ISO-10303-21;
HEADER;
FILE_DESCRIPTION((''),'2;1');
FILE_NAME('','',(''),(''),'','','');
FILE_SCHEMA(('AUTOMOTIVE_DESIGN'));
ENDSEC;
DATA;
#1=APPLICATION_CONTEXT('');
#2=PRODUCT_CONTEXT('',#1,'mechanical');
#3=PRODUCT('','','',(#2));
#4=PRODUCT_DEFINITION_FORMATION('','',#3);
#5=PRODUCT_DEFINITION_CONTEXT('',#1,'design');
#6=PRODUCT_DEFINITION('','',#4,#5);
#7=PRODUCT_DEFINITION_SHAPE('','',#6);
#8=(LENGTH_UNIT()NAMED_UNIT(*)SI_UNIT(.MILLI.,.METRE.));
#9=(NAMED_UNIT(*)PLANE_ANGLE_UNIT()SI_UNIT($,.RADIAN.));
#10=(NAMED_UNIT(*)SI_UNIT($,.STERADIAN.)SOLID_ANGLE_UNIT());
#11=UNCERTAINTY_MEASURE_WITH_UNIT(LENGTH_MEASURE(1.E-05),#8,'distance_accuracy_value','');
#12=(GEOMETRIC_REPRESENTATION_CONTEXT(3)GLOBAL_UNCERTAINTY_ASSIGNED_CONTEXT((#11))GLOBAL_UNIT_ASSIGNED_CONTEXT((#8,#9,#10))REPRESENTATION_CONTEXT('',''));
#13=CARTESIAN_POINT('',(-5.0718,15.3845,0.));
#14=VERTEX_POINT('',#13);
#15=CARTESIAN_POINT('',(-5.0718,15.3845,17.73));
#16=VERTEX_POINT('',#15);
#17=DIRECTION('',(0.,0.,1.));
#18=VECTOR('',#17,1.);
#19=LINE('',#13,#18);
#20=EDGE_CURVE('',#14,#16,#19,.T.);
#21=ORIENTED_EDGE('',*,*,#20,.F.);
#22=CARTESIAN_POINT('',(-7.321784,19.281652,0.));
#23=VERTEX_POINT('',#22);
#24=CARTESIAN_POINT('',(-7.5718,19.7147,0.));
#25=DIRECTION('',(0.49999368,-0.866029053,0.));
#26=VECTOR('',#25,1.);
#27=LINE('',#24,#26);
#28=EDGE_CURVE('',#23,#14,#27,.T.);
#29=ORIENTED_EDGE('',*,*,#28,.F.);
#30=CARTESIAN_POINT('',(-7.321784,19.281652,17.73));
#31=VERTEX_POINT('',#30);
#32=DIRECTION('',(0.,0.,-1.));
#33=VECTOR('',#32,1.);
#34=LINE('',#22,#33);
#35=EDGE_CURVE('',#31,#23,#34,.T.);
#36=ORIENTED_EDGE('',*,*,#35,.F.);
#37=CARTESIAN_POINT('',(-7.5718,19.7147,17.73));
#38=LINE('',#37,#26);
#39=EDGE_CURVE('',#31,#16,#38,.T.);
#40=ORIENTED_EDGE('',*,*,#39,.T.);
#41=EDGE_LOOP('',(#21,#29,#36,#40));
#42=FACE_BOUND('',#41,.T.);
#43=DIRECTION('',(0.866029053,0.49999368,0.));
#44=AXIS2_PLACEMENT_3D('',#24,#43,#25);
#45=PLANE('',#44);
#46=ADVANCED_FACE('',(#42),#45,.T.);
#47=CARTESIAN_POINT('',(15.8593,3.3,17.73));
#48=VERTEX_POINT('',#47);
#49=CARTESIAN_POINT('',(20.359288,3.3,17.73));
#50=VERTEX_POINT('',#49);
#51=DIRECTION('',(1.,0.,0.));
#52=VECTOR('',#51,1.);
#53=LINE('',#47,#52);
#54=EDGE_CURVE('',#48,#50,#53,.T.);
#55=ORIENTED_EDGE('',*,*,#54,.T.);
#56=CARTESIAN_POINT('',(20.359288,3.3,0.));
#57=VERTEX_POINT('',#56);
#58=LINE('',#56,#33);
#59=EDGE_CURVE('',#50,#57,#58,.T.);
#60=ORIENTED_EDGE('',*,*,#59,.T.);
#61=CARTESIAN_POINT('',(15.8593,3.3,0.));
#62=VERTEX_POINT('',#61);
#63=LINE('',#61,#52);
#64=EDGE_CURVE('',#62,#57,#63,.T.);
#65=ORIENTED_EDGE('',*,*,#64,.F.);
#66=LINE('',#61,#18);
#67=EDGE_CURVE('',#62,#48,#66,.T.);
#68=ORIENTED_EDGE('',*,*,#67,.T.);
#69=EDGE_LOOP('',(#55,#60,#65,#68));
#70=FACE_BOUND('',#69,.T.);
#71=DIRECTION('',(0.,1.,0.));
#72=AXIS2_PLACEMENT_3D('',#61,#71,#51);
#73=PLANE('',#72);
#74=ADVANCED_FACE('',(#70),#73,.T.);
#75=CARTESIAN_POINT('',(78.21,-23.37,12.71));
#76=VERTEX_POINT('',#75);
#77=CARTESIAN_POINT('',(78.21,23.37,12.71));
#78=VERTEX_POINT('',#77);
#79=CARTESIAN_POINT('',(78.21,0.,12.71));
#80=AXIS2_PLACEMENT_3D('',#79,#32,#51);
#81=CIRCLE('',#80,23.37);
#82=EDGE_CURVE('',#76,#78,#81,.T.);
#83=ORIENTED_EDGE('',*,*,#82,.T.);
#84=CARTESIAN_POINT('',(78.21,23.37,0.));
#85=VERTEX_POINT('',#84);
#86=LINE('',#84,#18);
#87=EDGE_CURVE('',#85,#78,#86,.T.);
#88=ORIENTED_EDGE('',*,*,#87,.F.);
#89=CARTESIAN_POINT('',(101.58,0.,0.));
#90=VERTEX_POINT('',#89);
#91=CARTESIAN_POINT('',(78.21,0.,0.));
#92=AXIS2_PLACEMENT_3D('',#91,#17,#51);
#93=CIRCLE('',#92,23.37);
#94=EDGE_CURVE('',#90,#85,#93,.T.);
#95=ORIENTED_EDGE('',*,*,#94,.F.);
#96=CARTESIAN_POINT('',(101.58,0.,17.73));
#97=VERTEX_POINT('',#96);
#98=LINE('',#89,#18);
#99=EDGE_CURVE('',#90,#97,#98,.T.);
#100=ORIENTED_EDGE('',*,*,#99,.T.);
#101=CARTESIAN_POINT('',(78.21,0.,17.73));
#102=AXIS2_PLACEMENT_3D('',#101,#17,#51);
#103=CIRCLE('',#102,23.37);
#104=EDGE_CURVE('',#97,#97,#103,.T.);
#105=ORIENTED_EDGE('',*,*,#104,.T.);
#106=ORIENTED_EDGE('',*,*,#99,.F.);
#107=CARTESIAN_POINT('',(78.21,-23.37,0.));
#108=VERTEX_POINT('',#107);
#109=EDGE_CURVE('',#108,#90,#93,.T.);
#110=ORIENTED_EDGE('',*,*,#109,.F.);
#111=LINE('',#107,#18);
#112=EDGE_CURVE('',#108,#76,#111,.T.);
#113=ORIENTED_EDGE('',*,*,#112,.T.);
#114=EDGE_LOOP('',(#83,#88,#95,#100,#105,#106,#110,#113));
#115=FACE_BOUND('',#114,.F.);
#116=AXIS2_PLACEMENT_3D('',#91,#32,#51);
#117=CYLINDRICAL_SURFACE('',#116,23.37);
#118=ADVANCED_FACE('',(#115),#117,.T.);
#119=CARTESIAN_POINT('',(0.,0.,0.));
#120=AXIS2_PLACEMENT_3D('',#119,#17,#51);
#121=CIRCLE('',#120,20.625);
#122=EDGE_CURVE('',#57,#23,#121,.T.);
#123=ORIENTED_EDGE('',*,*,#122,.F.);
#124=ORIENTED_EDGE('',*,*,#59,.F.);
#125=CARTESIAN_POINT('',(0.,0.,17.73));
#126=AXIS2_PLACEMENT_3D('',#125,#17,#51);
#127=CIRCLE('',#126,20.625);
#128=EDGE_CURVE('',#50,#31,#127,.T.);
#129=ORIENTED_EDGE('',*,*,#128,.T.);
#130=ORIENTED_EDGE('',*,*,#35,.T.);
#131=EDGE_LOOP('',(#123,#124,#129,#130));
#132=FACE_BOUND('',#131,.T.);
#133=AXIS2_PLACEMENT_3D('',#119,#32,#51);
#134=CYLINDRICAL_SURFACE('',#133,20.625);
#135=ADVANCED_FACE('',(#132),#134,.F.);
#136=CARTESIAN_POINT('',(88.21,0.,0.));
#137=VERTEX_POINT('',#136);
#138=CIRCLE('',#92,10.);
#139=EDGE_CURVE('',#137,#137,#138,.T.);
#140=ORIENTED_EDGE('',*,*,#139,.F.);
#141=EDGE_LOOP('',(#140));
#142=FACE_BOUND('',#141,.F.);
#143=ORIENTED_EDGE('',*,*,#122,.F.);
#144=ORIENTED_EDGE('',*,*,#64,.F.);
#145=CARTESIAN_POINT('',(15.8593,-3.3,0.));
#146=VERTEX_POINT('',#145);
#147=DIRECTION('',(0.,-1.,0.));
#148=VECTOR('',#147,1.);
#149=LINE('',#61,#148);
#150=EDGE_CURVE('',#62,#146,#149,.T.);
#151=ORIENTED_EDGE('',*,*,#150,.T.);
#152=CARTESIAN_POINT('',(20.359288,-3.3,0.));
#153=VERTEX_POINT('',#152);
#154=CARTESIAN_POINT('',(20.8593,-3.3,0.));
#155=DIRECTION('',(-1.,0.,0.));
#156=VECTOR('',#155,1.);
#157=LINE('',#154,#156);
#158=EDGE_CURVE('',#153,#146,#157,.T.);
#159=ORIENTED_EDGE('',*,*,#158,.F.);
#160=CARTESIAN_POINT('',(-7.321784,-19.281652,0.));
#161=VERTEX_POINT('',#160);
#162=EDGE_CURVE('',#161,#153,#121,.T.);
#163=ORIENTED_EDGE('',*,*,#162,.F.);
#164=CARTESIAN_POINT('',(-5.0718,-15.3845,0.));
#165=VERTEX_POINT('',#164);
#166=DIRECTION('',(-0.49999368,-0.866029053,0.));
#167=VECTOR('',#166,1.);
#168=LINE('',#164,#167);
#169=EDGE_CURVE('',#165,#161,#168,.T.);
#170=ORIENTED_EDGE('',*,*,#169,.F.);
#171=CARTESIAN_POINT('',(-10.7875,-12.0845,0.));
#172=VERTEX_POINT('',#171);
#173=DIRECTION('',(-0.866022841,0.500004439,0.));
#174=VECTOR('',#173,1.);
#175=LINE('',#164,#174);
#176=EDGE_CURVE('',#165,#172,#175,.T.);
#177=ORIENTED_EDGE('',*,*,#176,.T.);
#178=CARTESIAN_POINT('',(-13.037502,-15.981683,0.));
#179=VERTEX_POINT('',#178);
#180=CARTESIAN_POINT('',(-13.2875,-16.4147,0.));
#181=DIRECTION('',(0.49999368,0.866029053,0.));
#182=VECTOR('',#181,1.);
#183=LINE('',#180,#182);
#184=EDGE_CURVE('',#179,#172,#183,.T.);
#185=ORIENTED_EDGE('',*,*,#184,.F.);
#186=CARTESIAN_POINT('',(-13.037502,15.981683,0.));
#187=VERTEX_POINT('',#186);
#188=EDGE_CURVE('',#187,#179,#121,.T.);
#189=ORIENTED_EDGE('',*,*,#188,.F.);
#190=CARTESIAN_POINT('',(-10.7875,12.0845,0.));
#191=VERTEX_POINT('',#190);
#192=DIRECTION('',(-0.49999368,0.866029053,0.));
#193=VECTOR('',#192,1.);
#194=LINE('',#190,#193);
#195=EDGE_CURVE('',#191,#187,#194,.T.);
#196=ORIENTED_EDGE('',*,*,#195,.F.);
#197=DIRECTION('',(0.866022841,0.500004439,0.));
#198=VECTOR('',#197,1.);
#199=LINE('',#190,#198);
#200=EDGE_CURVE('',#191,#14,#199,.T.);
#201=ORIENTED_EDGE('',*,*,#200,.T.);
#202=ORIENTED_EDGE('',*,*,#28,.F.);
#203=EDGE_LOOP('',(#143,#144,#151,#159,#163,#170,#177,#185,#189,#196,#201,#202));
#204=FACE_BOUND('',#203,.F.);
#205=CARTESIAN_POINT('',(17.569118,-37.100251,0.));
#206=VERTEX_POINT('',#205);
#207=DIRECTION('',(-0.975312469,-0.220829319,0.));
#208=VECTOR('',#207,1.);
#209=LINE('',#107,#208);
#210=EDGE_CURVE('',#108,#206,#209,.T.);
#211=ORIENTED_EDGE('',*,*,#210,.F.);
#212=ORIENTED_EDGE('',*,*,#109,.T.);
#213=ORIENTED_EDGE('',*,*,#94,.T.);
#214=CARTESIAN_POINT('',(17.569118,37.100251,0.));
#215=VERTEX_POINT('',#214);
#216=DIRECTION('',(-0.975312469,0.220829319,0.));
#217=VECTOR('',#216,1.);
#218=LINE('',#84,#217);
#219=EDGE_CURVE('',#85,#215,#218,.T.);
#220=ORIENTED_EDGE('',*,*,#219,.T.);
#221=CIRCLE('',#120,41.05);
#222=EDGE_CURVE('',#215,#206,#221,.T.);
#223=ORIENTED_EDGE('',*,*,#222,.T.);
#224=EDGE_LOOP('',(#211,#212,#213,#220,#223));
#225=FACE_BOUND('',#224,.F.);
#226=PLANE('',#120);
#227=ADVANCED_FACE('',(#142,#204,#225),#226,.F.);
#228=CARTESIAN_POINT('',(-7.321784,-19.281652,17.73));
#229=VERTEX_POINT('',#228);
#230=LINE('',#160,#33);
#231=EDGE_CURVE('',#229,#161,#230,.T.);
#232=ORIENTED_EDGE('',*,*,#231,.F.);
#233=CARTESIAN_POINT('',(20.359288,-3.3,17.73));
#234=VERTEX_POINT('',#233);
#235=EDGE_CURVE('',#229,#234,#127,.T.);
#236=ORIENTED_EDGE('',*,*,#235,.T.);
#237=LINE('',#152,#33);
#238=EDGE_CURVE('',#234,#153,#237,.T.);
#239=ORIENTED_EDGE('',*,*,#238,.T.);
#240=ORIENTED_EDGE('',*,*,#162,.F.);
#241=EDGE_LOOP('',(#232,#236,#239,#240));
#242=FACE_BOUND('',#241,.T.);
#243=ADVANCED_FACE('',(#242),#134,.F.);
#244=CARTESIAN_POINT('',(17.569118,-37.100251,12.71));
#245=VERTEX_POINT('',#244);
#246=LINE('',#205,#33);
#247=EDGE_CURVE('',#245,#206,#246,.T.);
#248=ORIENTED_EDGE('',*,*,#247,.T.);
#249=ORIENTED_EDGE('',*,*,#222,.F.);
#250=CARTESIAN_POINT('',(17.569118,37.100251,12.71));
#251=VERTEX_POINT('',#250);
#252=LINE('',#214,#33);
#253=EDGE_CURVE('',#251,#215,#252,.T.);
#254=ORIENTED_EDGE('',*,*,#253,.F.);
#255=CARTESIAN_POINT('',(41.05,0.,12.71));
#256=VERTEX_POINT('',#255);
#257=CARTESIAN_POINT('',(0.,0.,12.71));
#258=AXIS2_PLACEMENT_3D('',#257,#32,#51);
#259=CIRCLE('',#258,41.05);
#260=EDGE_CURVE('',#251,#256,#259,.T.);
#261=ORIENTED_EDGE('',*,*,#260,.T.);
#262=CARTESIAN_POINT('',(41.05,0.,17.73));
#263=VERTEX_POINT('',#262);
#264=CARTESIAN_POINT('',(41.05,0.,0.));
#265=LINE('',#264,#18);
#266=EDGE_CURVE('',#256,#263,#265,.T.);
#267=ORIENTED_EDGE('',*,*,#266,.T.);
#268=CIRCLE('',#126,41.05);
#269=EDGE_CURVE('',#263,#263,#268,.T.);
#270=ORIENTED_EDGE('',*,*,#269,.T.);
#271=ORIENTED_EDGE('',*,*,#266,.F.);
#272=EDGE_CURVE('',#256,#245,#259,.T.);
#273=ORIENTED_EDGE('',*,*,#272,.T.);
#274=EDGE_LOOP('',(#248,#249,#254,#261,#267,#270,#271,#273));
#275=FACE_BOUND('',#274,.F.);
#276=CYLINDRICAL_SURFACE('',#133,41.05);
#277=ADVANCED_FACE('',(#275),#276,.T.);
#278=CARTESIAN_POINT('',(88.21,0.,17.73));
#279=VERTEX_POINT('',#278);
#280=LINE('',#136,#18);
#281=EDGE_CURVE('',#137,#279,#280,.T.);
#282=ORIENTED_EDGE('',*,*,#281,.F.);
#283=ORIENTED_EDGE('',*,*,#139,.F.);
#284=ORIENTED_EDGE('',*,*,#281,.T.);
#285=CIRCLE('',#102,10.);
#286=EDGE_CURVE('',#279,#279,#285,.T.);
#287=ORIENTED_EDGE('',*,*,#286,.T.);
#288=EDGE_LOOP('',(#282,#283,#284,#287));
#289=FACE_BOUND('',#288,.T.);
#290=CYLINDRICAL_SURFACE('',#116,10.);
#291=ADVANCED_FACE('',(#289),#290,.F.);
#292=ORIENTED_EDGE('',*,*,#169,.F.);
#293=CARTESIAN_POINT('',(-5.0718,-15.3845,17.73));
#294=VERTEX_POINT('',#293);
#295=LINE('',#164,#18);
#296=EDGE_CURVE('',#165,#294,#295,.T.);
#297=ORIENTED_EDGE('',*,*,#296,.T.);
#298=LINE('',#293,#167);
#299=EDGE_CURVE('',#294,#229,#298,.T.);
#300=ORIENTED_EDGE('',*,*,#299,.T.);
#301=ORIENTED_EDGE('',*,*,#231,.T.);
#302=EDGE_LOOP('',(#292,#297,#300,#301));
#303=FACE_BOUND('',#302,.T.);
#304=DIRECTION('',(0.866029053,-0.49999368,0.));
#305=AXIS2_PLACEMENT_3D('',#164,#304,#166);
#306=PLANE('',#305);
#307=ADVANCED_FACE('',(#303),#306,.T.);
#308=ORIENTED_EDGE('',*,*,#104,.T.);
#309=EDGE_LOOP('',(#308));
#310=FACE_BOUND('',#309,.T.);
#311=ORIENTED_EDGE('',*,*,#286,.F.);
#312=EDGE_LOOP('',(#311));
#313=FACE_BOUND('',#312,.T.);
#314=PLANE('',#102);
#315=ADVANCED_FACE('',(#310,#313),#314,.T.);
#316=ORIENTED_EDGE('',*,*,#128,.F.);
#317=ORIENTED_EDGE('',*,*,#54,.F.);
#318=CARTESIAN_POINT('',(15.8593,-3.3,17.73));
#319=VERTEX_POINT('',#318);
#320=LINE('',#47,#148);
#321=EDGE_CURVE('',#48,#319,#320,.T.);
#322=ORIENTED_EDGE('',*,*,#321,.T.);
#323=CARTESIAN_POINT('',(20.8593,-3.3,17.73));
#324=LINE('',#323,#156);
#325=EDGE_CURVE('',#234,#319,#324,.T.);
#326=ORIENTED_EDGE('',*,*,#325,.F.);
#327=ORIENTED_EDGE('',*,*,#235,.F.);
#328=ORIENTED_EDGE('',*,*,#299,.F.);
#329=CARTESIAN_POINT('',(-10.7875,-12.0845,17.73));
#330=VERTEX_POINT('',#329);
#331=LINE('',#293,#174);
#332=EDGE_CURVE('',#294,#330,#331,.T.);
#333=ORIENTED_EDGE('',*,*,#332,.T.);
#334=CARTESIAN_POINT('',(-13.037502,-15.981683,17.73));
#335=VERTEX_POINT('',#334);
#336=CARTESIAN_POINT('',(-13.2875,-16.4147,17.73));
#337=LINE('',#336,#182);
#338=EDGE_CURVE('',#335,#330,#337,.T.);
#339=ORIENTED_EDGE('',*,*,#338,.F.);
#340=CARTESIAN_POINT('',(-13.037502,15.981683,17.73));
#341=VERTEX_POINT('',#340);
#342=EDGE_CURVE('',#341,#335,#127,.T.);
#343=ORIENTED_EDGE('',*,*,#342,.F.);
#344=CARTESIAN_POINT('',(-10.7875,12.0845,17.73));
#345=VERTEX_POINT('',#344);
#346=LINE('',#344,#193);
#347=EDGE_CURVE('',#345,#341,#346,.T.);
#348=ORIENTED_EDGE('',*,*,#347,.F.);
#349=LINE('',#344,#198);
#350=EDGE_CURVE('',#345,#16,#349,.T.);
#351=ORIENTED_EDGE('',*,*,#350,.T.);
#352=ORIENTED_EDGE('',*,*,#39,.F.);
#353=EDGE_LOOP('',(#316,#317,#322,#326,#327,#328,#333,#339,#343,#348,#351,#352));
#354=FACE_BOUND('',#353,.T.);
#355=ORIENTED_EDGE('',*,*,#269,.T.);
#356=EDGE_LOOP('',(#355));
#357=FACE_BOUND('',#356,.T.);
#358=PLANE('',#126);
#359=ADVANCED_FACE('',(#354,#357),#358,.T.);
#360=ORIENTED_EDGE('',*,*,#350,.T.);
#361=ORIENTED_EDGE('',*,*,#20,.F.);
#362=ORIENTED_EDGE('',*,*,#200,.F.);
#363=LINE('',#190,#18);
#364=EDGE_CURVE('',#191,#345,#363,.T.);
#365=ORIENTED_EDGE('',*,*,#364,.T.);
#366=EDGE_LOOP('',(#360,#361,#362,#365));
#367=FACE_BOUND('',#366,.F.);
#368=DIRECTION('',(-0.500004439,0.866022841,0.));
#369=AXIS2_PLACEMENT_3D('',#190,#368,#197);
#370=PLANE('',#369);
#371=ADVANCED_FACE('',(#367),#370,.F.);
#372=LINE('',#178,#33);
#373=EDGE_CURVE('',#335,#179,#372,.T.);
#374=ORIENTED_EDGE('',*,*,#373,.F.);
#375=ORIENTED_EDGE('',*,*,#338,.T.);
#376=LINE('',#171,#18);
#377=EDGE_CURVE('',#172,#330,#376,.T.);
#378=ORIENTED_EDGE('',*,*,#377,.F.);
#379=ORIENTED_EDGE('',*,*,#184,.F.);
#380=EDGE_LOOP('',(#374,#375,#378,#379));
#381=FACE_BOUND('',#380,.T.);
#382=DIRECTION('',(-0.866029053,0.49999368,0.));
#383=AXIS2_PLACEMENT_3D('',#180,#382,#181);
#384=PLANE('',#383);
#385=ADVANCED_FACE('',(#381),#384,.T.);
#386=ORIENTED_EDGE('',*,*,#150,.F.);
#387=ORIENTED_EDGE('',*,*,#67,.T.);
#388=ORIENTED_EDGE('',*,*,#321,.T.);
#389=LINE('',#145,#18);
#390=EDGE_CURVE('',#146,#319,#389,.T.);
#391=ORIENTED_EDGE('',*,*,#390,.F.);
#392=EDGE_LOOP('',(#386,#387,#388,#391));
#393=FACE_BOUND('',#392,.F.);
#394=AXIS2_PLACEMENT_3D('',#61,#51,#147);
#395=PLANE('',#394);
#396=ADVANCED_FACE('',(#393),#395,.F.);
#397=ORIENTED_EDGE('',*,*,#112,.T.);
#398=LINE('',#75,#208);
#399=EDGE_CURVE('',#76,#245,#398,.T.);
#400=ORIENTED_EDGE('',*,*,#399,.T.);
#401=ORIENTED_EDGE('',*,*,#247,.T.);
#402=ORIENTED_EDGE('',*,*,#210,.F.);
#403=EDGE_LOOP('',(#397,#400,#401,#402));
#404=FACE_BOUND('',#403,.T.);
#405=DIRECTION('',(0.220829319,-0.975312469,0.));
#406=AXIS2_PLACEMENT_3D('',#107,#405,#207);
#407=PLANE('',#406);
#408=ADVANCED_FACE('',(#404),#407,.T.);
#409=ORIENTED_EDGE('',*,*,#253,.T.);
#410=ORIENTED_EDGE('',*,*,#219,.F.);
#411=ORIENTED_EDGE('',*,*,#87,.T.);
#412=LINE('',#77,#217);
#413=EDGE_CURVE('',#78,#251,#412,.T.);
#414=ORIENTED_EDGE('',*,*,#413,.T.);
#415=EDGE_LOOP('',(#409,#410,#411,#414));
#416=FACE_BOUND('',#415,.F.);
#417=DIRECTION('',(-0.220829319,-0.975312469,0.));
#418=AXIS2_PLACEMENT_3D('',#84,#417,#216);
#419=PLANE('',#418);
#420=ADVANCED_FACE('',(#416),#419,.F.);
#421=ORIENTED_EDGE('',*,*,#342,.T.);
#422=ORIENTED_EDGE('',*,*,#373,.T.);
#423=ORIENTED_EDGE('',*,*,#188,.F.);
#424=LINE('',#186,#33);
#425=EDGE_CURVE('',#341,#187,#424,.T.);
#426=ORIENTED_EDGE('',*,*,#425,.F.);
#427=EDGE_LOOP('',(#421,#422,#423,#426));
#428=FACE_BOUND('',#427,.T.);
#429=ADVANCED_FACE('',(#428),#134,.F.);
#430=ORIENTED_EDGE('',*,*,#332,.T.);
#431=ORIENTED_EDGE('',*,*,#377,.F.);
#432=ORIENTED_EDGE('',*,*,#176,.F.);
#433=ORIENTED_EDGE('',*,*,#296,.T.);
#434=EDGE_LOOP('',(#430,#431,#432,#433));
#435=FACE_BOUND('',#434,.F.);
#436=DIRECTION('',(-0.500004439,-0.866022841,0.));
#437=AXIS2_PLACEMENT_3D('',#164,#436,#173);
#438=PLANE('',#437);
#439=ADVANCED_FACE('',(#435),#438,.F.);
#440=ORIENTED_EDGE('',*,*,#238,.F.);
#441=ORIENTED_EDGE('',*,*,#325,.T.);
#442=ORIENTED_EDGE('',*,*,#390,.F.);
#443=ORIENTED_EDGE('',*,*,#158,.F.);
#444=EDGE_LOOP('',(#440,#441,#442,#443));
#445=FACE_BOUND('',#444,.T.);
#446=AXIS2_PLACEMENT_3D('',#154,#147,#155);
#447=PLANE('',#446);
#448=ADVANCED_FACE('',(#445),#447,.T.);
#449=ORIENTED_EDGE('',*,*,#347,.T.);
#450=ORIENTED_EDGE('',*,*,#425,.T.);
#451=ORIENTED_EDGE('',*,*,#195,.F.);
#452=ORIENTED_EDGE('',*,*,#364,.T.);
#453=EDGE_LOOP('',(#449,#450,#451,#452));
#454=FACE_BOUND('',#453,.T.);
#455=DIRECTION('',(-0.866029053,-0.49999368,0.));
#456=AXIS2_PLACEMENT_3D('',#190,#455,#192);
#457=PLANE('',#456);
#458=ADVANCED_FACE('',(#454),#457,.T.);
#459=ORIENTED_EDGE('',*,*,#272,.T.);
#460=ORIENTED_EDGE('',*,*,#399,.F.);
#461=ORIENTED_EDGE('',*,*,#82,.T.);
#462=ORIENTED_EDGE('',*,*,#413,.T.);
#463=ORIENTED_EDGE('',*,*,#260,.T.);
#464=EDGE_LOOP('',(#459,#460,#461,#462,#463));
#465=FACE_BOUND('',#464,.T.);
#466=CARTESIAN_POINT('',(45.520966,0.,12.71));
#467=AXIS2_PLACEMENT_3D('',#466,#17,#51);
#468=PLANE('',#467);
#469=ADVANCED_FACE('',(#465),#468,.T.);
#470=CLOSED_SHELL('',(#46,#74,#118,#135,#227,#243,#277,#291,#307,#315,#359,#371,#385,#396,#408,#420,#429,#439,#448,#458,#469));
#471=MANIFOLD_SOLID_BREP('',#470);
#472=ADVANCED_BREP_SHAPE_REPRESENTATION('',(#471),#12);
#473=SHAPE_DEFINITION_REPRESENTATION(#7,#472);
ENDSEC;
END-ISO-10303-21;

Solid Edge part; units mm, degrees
sketch "Sketch1" plane through (0, 0, 0) normal (0, 0, 1) x (1, 0, 0)
  circle A0 centre (0, 0) radius 41.05
  circle A1 centre (78.21, 0) radius 23.37
  circle A2 centre (0, 0) radius 20.625
  circle A3 centre (78.21, 0) radius 10
extrude "Protrusion1" add sketch "Sketch1" along normal blind 17.73
sketch "Sketch2" plane through (0, 0, 0) normal (0, 0, 1) x (1, 0, 0)
  line L0 (17.5689, 37.1003) -> (30.4967, 0)
  line L1 (30.4967, 0) -> (17.5689, -37.1003)
  line L2 (78.21, -23.37) -> (17.5689, -37.1003)
  line L3 (57, 0) -> (78.21, -23.37)
  line L4 (78.21, 23.37) -> (57, 0)
  line L5 (78.21, 23.37) -> (17.5689, 37.1003)
extrude "ExtrudedProtrusion_3" add sketch "Sketch2" along normal blind 12.71
sketch "Sketch3" plane through (0, 0, 0) normal (0, 0, 1) x (1, 0, 0)
  line L0 (-10.7875, 12.0845) -> (-5.0718, 15.3845)
  line L1 (-7.5718, 19.7147) -> (-5.0718, 15.3845)
  line L2 (-13.2875, 16.4147) -> (-7.5718, 19.7147)
  line L3 (-10.7875, 12.0845) -> (-13.2875, 16.4147)
  line L4 (-5.0718, -15.3845) -> (-10.7875, -12.0845)
  line L5 (-13.2875, -16.4147) -> (-10.7875, -12.0845)
  line L6 (-7.5718, -19.7147) -> (-13.2875, -16.4147)
  line L7 (-5.0718, -15.3845) -> (-7.5718, -19.7147)
  line L8 (20.8593, -3.3) -> (15.8593, -3.3)
  line L9 (15.8593, 3.3) -> (15.8593, -3.3)
  line L10 (15.8593, 3.3) -> (20.8593, 3.3)
  line L11 (20.8593, 3.3) -> (20.8593, -3.3)
extrude "ExtrudedProtrusion_4" add sketch "Sketch3" along normal blind 17.73
